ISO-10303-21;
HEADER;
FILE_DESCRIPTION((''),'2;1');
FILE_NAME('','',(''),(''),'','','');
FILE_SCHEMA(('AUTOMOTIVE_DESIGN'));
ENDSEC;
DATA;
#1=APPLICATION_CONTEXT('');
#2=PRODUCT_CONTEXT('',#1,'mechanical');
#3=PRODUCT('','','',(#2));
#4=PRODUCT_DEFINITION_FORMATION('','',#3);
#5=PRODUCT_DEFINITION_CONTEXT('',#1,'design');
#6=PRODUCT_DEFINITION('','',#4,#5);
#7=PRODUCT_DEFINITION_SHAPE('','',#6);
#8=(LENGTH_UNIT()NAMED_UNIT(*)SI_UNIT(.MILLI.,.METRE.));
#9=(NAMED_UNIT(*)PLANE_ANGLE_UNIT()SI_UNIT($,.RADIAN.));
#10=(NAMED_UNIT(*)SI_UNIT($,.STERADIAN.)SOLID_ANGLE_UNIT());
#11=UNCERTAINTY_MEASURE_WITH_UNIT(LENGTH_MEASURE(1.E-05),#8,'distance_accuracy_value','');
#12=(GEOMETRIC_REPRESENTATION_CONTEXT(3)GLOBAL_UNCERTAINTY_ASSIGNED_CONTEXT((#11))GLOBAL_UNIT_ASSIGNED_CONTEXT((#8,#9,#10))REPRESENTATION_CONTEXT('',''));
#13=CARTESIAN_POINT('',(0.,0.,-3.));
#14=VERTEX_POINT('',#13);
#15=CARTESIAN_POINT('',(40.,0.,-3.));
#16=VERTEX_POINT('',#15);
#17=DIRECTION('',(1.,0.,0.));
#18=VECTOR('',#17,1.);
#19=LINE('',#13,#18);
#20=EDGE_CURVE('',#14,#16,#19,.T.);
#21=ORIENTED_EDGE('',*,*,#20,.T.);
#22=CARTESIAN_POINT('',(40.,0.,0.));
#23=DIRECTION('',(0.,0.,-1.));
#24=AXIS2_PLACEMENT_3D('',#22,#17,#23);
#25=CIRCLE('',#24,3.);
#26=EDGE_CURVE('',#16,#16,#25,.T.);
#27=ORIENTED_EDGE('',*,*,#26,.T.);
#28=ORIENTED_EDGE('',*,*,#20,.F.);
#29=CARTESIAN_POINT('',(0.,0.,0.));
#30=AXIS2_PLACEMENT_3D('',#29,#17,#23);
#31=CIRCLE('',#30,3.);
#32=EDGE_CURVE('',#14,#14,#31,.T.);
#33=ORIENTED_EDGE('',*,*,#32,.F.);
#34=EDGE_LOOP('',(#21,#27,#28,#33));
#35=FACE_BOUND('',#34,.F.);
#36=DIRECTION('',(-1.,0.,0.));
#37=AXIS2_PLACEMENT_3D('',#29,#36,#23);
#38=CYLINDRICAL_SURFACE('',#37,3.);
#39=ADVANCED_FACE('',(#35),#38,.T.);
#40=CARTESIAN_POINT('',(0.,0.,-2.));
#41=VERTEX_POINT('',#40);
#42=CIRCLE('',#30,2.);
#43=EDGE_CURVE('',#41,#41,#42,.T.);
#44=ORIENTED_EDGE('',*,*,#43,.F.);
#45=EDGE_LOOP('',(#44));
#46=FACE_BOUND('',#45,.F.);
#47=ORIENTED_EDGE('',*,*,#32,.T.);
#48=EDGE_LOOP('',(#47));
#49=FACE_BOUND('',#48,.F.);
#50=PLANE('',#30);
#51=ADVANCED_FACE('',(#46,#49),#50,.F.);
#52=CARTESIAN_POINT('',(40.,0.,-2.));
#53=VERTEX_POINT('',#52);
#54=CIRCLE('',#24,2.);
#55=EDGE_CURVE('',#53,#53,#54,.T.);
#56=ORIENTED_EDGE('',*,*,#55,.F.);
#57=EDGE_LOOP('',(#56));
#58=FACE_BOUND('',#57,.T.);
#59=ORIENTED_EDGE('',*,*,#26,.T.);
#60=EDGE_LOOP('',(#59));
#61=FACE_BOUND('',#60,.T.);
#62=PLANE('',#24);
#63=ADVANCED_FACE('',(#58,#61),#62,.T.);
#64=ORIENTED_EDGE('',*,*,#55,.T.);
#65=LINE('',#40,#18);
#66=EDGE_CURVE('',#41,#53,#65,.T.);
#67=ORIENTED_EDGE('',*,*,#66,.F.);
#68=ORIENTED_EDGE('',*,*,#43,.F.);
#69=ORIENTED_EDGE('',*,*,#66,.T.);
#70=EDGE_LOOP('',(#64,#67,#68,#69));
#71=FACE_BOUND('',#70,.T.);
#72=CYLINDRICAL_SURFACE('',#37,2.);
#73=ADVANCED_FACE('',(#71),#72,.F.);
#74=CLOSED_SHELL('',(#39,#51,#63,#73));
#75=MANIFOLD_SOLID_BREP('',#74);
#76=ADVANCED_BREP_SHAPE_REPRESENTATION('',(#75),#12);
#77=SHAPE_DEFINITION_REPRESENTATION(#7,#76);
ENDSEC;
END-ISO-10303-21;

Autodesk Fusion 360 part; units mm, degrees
sketch "Skizze1" plane through (0, 0, 0) normal (1, 0, 0) x (0, 0, -1)
  circle A0 centre (0, 0) radius 3
  circle A1 centre (0, 0) radius 2
  dimension "d1" = 6
  dimension "d2" = 4
extrude "Extrusion1" add sketch "Skizze1" along normal blind 40 makes body 1
copy_body "Körper->Berechn1" bodies 1 removing the originals makes body 2 in component "SwagelokTube"
component "SwagelokTube" placed x (1, 0, 0) y (0, 1, 0) z (0, 0, 1) at (0, 0, 0)
